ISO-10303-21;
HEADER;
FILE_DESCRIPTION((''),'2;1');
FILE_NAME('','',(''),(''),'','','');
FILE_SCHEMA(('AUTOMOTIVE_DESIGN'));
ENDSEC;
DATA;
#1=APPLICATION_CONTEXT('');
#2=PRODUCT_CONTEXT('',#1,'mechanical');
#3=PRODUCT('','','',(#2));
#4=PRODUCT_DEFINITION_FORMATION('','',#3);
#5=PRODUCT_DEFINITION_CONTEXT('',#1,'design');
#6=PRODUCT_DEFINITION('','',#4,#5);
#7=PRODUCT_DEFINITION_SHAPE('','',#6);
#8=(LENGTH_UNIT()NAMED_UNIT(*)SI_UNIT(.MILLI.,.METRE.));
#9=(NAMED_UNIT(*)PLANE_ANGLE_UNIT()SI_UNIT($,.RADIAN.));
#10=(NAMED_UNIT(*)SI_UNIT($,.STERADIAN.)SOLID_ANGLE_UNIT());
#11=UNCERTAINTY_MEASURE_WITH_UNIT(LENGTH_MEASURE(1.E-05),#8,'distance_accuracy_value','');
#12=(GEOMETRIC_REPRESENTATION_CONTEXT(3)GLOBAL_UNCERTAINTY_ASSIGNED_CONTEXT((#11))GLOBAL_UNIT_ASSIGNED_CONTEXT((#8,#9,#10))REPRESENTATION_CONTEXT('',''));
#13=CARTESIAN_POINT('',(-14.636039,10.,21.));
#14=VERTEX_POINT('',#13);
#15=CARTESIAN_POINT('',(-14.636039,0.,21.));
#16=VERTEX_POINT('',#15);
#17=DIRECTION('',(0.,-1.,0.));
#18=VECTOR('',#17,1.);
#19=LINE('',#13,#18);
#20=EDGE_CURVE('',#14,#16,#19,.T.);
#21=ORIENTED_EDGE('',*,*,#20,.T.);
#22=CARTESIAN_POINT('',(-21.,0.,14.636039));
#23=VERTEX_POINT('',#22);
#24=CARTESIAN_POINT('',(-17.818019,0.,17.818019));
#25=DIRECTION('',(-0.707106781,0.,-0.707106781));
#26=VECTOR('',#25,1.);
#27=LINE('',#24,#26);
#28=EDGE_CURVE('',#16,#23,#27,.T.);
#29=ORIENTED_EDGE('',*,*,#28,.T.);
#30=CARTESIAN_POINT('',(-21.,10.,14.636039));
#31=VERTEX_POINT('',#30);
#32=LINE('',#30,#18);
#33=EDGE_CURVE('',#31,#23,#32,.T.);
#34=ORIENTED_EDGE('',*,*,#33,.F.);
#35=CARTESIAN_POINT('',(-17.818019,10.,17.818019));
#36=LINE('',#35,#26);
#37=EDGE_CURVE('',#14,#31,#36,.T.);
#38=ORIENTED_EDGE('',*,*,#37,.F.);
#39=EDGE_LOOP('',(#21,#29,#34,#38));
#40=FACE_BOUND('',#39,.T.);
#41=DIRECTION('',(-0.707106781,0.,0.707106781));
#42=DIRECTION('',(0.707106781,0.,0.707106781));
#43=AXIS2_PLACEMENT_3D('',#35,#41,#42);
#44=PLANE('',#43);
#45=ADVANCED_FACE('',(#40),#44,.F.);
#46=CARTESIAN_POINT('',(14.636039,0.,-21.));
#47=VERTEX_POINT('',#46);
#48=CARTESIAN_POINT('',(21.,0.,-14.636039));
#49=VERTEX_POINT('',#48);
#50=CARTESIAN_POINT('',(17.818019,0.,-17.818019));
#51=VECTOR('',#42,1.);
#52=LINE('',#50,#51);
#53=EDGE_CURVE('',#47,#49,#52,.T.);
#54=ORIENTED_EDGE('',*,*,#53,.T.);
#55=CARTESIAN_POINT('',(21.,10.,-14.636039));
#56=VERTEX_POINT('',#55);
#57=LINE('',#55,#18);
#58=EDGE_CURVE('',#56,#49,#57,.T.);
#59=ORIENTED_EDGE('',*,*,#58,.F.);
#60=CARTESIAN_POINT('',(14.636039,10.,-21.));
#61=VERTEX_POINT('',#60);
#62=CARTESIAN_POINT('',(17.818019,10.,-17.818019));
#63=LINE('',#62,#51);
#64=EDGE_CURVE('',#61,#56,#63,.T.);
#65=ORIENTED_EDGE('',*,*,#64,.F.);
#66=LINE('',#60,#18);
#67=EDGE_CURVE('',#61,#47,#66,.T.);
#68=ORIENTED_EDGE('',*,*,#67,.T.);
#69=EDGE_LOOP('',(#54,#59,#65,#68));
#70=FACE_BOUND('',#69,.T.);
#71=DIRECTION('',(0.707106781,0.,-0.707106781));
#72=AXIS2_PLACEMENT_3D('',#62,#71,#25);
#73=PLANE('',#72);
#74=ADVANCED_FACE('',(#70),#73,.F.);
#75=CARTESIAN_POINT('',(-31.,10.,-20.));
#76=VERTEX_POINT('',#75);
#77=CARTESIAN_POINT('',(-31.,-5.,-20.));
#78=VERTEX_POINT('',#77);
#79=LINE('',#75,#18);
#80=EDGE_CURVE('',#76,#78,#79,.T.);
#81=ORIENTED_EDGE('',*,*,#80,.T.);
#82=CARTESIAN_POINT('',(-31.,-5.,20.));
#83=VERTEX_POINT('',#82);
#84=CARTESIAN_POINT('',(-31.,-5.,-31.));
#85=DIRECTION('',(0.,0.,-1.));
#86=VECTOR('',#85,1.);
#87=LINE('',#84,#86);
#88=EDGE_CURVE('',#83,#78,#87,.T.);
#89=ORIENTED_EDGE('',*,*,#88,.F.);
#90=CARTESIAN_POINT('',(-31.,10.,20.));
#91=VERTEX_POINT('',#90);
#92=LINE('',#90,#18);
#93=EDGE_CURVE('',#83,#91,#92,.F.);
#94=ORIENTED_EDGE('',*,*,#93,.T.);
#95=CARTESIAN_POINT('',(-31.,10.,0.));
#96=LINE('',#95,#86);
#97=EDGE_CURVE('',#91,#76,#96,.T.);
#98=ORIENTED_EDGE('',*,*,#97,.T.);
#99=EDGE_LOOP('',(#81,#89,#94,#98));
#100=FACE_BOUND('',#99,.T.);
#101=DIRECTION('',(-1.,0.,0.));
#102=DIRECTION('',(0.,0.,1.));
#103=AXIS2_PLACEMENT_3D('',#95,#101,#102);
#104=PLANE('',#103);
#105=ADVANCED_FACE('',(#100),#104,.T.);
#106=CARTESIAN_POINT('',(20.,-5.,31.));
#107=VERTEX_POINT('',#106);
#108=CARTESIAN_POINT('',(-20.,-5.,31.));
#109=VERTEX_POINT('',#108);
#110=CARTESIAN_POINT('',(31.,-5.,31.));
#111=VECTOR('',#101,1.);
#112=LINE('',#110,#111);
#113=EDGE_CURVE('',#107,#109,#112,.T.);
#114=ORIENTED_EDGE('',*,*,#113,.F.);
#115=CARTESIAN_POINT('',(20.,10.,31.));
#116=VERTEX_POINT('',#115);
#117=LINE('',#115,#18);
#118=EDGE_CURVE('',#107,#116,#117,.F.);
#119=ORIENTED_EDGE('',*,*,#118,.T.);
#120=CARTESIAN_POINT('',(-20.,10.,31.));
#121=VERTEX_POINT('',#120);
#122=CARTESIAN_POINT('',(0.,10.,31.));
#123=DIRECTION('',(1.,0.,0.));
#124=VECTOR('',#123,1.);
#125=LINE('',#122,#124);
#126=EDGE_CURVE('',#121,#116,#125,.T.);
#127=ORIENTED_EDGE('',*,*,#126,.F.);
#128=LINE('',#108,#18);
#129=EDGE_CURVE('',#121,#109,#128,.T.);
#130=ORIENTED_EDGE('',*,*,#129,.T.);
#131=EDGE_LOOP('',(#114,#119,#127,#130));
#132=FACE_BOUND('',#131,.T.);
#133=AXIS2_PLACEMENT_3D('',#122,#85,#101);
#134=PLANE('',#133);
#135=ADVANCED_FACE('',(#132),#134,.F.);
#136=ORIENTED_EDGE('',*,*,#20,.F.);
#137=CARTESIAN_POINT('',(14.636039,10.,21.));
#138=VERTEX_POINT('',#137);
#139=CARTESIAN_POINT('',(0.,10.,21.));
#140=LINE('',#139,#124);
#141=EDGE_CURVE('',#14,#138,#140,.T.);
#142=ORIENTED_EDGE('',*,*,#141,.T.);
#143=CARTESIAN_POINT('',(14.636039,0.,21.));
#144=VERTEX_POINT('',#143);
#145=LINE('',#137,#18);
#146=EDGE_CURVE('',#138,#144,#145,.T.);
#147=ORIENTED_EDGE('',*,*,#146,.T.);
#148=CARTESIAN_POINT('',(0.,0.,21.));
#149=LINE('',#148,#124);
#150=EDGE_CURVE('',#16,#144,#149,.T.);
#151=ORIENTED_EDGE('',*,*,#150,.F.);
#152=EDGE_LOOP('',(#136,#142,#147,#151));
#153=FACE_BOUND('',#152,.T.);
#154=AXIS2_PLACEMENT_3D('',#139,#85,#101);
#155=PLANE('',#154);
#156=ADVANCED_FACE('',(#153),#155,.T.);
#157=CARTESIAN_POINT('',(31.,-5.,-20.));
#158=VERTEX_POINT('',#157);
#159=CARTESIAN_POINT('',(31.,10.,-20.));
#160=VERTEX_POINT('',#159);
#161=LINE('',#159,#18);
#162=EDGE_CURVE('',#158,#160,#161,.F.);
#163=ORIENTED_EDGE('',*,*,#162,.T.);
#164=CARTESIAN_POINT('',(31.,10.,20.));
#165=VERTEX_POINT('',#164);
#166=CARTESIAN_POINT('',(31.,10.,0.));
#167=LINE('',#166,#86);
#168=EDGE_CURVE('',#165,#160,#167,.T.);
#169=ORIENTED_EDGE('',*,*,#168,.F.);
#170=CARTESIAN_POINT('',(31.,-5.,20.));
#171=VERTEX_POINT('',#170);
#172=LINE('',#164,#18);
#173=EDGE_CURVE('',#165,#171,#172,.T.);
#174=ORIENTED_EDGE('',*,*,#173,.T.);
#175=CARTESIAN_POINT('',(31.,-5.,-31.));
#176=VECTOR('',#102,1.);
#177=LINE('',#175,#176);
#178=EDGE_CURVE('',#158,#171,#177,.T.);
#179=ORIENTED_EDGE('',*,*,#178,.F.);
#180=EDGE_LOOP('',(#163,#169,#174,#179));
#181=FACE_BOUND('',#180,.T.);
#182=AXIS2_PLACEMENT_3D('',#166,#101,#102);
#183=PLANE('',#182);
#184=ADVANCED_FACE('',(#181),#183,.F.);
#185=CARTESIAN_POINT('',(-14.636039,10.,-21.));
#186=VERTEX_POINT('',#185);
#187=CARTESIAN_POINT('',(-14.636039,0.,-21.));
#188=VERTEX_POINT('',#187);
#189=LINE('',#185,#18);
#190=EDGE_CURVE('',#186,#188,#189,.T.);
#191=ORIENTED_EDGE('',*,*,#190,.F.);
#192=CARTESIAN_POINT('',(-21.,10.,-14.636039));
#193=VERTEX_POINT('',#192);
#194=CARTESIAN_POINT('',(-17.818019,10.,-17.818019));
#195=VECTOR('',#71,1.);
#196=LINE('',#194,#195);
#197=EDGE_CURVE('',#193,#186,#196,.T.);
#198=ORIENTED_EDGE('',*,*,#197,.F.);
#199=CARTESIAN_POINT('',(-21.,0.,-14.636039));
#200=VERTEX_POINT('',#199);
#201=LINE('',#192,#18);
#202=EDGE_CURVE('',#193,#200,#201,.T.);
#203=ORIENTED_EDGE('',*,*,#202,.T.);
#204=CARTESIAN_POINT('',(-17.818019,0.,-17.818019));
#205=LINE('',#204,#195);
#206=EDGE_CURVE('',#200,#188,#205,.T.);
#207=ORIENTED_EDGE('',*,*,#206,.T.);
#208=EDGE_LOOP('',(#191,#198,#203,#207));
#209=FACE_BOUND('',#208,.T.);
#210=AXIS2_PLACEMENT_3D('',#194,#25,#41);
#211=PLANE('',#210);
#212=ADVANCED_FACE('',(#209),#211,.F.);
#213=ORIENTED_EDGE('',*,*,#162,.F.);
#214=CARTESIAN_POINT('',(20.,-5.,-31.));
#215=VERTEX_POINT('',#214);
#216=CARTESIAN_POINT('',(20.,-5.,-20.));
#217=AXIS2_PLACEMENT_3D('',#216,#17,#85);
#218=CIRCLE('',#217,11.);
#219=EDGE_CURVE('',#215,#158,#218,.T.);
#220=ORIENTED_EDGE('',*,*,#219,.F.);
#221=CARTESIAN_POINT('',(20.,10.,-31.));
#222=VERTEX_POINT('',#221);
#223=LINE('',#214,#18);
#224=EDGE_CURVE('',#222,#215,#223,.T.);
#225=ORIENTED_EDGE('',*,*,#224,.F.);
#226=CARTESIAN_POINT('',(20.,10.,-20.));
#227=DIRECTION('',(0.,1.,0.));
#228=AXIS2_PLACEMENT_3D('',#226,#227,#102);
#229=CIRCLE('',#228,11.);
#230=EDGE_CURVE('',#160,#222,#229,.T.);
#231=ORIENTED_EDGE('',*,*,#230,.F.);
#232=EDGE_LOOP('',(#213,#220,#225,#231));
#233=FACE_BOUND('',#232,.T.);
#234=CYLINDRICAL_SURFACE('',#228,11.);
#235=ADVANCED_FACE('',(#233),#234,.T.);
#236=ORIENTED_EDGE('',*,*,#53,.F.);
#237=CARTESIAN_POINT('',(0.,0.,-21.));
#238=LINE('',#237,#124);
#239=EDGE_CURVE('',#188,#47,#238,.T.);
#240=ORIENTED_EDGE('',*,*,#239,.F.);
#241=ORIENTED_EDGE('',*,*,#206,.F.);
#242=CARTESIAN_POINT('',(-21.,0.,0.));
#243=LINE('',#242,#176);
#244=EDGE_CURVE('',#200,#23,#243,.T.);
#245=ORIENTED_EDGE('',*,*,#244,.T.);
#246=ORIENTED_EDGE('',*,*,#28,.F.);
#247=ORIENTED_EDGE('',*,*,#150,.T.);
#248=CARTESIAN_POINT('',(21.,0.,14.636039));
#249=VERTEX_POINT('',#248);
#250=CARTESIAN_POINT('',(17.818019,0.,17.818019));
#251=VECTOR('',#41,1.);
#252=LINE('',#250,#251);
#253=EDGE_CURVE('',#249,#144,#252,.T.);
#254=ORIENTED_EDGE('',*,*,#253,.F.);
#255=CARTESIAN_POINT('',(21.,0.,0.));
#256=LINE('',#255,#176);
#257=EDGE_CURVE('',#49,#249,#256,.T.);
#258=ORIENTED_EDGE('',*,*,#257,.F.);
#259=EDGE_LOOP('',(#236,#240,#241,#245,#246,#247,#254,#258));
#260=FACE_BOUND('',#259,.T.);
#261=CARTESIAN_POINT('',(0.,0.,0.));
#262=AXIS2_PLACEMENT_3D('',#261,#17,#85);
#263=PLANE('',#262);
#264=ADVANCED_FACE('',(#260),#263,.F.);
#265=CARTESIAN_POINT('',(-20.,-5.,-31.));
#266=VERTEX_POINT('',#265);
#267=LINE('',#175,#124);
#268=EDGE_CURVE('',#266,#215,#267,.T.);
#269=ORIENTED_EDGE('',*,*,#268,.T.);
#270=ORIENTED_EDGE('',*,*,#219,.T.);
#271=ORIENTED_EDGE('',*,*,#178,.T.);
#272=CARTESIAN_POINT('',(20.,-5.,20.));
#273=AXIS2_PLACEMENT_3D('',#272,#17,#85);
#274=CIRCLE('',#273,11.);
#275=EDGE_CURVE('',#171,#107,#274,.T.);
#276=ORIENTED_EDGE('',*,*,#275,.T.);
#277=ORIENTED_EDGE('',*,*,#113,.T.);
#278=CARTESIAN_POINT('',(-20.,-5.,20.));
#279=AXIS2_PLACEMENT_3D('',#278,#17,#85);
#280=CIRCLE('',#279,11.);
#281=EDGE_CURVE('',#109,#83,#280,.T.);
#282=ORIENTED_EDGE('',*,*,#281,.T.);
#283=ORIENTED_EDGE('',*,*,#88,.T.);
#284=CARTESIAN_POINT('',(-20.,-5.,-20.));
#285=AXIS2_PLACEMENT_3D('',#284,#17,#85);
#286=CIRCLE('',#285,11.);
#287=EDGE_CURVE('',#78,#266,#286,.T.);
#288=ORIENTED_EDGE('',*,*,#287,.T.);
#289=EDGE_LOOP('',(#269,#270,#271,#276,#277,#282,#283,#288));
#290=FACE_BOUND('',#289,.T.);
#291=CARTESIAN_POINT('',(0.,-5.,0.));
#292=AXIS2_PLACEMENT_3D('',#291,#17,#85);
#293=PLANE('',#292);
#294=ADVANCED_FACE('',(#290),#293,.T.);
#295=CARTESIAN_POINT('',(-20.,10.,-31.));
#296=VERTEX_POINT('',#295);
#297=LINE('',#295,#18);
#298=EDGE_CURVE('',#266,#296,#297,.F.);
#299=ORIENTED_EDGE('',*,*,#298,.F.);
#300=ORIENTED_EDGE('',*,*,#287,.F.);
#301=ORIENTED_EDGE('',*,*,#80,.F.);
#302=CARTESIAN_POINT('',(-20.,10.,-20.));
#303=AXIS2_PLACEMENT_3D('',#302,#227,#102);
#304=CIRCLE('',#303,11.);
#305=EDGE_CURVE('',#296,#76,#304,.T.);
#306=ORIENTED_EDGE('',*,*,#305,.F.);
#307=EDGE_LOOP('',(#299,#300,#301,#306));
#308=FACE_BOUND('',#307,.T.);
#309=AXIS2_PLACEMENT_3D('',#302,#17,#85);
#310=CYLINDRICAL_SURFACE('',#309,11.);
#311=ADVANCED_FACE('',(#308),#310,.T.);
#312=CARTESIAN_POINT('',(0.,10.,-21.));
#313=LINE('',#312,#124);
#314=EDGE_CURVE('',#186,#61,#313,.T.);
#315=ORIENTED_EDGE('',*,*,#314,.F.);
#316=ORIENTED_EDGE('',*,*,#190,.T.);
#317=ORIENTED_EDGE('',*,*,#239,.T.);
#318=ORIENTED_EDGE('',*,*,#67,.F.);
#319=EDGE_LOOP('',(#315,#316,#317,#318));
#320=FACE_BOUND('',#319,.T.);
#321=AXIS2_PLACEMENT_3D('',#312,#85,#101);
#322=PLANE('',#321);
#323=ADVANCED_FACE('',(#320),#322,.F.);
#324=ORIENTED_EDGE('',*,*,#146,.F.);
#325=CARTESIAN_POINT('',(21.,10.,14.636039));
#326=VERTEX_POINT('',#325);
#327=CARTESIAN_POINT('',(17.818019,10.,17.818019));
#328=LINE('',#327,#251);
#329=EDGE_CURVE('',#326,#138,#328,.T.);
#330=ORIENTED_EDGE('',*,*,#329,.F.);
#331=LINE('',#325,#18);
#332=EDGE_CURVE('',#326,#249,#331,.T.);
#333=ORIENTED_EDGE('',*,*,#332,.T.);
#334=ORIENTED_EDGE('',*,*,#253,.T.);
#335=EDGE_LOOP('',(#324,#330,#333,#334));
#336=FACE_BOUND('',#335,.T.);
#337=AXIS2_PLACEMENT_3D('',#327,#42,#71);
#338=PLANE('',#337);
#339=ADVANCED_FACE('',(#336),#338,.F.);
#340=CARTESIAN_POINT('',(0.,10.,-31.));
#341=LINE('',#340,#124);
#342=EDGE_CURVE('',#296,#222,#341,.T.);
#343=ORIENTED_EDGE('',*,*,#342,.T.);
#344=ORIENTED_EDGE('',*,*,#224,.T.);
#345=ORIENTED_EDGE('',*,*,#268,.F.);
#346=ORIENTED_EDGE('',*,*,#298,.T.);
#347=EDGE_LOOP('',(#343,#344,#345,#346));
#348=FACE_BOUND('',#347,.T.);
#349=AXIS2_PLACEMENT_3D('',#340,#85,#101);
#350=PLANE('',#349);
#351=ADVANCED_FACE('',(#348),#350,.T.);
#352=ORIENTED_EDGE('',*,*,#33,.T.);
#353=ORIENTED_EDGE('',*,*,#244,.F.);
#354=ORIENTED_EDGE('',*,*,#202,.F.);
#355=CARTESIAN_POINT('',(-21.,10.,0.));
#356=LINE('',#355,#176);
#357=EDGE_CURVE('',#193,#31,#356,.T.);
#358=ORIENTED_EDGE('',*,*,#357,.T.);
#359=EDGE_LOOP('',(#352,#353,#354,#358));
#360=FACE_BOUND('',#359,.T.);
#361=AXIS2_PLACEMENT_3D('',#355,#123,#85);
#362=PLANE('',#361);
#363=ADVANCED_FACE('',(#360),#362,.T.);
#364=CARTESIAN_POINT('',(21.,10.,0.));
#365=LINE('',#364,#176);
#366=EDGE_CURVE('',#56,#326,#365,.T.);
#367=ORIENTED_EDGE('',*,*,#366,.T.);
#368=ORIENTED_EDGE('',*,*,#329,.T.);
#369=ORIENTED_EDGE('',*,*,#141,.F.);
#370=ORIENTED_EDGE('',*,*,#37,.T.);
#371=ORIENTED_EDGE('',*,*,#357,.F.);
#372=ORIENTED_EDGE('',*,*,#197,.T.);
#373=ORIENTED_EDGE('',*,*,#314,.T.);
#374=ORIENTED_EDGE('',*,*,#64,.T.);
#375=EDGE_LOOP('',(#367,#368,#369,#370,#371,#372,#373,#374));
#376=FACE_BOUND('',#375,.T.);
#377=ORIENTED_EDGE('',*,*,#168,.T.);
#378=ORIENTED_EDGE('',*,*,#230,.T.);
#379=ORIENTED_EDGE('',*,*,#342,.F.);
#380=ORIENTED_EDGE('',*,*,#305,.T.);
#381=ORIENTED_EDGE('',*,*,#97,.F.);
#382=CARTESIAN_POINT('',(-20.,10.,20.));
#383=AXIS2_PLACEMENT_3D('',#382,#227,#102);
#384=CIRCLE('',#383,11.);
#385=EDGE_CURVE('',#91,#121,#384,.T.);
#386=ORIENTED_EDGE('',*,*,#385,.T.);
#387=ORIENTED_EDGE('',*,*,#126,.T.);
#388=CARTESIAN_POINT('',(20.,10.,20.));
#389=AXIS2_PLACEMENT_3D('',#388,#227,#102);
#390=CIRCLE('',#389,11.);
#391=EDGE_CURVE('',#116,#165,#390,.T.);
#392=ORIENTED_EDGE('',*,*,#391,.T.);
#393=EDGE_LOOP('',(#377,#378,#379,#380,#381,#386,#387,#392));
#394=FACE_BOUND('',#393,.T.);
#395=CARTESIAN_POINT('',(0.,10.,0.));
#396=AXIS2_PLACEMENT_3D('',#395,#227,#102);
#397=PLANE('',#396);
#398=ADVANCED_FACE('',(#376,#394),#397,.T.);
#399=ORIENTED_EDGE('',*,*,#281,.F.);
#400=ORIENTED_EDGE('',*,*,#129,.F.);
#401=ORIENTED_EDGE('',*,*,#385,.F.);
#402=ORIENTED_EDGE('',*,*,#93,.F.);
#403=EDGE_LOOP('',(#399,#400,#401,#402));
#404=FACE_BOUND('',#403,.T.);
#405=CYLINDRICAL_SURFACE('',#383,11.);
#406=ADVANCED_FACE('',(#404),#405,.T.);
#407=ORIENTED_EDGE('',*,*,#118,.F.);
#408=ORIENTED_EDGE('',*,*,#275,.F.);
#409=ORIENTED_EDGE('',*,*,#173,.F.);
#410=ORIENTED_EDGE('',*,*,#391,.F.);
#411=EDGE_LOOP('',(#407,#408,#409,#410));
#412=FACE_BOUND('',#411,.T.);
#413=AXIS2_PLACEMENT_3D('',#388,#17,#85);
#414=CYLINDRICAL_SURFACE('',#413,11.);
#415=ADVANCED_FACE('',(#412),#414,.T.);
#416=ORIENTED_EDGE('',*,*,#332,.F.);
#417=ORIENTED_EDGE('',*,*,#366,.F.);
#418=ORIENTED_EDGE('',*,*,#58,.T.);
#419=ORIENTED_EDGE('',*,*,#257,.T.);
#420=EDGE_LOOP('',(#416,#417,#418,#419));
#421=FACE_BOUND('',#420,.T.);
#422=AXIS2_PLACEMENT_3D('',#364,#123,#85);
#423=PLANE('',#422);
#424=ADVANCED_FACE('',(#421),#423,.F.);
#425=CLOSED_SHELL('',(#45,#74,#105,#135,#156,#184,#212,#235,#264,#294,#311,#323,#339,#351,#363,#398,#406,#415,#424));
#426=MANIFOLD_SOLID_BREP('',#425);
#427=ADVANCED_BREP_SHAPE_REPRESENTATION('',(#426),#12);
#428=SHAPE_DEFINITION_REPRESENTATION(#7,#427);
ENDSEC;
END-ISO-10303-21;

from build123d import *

# Parameters (mm, degrees)
SKETCH1_W           = 62
SKETCH1_H           = 62
SKETCH1_W_2         = 42
SKETCH1_H_2         = 42
BOSS_EXTRUDE1_DEPTH = 10
SKETCH2_W           = 62
SKETCH2_H           = 62
BOSS_EXTRUDE2_DEPTH = 5
FILLET1_R           = 11


with BuildPart() as part:
    # Sketch1 → Boss-Extrude1 (new body)
    # profile 1 of 5: a face of its own
    with BuildSketch(Plane(origin=(0, 0, 0), x_dir=(1, 0, 0), z_dir=(0, 1, 0))):
        Rectangle(SKETCH1_W, SKETCH1_H)
        Rectangle(SKETCH1_W_2, SKETCH1_H_2, mode=Mode.SUBTRACT)
    # profile 2 of 5: a face of its own
    with BuildSketch(Plane(origin=(0, 0, 0), x_dir=(1, 0, 0), z_dir=(0, 1, 0))):
        Polygon((21, -21), (21, -14.636038969), (14.636038969, -21), align=None)
    # profile 3 of 5: a face of its own
    with BuildSketch(Plane(origin=(0, 0, 0), x_dir=(1, 0, 0), z_dir=(0, 1, 0))):
        Polygon((14.636038969, 21), (21, 14.636038969), (21, 21), align=None)
    # profile 4 of 5: a face of its own
    with BuildSketch(Plane(origin=(0, 0, 0), x_dir=(1, 0, 0), z_dir=(0, 1, 0))):
        Polygon((-21, 14.636038969), (-14.636038969, 21), (-21, 21), align=None)
    # profile 5 of 5: a face of its own
    with BuildSketch(Plane(origin=(0, 0, 0), x_dir=(1, 0, 0), z_dir=(0, 1, 0))):
        Polygon((-21, -21), (-14.636038969, -21), (-21, -14.636038969), align=None)
    extrude(amount=BOSS_EXTRUDE1_DEPTH)

    # Sketch2 → Boss-Extrude2 (add)
    with BuildSketch(Plane(origin=(0, 0, 0), x_dir=(-1, 0, 0), z_dir=(0, -1, 0))):
        Rectangle(SKETCH2_W, SKETCH2_H)
    extrude(amount=BOSS_EXTRUDE2_DEPTH)

    # Fillet1
    fillet1_edges = [part.edges().sort_by_distance(p)[0] for p in [
        (-31, 2.5, 31),
        (-31, 2.5, -31),
        (31, 2.5, -31),
        (31, 2.5, 31),
    ]]
    fillet(fillet1_edges, radius=FILLET1_R)


solid = part.part
